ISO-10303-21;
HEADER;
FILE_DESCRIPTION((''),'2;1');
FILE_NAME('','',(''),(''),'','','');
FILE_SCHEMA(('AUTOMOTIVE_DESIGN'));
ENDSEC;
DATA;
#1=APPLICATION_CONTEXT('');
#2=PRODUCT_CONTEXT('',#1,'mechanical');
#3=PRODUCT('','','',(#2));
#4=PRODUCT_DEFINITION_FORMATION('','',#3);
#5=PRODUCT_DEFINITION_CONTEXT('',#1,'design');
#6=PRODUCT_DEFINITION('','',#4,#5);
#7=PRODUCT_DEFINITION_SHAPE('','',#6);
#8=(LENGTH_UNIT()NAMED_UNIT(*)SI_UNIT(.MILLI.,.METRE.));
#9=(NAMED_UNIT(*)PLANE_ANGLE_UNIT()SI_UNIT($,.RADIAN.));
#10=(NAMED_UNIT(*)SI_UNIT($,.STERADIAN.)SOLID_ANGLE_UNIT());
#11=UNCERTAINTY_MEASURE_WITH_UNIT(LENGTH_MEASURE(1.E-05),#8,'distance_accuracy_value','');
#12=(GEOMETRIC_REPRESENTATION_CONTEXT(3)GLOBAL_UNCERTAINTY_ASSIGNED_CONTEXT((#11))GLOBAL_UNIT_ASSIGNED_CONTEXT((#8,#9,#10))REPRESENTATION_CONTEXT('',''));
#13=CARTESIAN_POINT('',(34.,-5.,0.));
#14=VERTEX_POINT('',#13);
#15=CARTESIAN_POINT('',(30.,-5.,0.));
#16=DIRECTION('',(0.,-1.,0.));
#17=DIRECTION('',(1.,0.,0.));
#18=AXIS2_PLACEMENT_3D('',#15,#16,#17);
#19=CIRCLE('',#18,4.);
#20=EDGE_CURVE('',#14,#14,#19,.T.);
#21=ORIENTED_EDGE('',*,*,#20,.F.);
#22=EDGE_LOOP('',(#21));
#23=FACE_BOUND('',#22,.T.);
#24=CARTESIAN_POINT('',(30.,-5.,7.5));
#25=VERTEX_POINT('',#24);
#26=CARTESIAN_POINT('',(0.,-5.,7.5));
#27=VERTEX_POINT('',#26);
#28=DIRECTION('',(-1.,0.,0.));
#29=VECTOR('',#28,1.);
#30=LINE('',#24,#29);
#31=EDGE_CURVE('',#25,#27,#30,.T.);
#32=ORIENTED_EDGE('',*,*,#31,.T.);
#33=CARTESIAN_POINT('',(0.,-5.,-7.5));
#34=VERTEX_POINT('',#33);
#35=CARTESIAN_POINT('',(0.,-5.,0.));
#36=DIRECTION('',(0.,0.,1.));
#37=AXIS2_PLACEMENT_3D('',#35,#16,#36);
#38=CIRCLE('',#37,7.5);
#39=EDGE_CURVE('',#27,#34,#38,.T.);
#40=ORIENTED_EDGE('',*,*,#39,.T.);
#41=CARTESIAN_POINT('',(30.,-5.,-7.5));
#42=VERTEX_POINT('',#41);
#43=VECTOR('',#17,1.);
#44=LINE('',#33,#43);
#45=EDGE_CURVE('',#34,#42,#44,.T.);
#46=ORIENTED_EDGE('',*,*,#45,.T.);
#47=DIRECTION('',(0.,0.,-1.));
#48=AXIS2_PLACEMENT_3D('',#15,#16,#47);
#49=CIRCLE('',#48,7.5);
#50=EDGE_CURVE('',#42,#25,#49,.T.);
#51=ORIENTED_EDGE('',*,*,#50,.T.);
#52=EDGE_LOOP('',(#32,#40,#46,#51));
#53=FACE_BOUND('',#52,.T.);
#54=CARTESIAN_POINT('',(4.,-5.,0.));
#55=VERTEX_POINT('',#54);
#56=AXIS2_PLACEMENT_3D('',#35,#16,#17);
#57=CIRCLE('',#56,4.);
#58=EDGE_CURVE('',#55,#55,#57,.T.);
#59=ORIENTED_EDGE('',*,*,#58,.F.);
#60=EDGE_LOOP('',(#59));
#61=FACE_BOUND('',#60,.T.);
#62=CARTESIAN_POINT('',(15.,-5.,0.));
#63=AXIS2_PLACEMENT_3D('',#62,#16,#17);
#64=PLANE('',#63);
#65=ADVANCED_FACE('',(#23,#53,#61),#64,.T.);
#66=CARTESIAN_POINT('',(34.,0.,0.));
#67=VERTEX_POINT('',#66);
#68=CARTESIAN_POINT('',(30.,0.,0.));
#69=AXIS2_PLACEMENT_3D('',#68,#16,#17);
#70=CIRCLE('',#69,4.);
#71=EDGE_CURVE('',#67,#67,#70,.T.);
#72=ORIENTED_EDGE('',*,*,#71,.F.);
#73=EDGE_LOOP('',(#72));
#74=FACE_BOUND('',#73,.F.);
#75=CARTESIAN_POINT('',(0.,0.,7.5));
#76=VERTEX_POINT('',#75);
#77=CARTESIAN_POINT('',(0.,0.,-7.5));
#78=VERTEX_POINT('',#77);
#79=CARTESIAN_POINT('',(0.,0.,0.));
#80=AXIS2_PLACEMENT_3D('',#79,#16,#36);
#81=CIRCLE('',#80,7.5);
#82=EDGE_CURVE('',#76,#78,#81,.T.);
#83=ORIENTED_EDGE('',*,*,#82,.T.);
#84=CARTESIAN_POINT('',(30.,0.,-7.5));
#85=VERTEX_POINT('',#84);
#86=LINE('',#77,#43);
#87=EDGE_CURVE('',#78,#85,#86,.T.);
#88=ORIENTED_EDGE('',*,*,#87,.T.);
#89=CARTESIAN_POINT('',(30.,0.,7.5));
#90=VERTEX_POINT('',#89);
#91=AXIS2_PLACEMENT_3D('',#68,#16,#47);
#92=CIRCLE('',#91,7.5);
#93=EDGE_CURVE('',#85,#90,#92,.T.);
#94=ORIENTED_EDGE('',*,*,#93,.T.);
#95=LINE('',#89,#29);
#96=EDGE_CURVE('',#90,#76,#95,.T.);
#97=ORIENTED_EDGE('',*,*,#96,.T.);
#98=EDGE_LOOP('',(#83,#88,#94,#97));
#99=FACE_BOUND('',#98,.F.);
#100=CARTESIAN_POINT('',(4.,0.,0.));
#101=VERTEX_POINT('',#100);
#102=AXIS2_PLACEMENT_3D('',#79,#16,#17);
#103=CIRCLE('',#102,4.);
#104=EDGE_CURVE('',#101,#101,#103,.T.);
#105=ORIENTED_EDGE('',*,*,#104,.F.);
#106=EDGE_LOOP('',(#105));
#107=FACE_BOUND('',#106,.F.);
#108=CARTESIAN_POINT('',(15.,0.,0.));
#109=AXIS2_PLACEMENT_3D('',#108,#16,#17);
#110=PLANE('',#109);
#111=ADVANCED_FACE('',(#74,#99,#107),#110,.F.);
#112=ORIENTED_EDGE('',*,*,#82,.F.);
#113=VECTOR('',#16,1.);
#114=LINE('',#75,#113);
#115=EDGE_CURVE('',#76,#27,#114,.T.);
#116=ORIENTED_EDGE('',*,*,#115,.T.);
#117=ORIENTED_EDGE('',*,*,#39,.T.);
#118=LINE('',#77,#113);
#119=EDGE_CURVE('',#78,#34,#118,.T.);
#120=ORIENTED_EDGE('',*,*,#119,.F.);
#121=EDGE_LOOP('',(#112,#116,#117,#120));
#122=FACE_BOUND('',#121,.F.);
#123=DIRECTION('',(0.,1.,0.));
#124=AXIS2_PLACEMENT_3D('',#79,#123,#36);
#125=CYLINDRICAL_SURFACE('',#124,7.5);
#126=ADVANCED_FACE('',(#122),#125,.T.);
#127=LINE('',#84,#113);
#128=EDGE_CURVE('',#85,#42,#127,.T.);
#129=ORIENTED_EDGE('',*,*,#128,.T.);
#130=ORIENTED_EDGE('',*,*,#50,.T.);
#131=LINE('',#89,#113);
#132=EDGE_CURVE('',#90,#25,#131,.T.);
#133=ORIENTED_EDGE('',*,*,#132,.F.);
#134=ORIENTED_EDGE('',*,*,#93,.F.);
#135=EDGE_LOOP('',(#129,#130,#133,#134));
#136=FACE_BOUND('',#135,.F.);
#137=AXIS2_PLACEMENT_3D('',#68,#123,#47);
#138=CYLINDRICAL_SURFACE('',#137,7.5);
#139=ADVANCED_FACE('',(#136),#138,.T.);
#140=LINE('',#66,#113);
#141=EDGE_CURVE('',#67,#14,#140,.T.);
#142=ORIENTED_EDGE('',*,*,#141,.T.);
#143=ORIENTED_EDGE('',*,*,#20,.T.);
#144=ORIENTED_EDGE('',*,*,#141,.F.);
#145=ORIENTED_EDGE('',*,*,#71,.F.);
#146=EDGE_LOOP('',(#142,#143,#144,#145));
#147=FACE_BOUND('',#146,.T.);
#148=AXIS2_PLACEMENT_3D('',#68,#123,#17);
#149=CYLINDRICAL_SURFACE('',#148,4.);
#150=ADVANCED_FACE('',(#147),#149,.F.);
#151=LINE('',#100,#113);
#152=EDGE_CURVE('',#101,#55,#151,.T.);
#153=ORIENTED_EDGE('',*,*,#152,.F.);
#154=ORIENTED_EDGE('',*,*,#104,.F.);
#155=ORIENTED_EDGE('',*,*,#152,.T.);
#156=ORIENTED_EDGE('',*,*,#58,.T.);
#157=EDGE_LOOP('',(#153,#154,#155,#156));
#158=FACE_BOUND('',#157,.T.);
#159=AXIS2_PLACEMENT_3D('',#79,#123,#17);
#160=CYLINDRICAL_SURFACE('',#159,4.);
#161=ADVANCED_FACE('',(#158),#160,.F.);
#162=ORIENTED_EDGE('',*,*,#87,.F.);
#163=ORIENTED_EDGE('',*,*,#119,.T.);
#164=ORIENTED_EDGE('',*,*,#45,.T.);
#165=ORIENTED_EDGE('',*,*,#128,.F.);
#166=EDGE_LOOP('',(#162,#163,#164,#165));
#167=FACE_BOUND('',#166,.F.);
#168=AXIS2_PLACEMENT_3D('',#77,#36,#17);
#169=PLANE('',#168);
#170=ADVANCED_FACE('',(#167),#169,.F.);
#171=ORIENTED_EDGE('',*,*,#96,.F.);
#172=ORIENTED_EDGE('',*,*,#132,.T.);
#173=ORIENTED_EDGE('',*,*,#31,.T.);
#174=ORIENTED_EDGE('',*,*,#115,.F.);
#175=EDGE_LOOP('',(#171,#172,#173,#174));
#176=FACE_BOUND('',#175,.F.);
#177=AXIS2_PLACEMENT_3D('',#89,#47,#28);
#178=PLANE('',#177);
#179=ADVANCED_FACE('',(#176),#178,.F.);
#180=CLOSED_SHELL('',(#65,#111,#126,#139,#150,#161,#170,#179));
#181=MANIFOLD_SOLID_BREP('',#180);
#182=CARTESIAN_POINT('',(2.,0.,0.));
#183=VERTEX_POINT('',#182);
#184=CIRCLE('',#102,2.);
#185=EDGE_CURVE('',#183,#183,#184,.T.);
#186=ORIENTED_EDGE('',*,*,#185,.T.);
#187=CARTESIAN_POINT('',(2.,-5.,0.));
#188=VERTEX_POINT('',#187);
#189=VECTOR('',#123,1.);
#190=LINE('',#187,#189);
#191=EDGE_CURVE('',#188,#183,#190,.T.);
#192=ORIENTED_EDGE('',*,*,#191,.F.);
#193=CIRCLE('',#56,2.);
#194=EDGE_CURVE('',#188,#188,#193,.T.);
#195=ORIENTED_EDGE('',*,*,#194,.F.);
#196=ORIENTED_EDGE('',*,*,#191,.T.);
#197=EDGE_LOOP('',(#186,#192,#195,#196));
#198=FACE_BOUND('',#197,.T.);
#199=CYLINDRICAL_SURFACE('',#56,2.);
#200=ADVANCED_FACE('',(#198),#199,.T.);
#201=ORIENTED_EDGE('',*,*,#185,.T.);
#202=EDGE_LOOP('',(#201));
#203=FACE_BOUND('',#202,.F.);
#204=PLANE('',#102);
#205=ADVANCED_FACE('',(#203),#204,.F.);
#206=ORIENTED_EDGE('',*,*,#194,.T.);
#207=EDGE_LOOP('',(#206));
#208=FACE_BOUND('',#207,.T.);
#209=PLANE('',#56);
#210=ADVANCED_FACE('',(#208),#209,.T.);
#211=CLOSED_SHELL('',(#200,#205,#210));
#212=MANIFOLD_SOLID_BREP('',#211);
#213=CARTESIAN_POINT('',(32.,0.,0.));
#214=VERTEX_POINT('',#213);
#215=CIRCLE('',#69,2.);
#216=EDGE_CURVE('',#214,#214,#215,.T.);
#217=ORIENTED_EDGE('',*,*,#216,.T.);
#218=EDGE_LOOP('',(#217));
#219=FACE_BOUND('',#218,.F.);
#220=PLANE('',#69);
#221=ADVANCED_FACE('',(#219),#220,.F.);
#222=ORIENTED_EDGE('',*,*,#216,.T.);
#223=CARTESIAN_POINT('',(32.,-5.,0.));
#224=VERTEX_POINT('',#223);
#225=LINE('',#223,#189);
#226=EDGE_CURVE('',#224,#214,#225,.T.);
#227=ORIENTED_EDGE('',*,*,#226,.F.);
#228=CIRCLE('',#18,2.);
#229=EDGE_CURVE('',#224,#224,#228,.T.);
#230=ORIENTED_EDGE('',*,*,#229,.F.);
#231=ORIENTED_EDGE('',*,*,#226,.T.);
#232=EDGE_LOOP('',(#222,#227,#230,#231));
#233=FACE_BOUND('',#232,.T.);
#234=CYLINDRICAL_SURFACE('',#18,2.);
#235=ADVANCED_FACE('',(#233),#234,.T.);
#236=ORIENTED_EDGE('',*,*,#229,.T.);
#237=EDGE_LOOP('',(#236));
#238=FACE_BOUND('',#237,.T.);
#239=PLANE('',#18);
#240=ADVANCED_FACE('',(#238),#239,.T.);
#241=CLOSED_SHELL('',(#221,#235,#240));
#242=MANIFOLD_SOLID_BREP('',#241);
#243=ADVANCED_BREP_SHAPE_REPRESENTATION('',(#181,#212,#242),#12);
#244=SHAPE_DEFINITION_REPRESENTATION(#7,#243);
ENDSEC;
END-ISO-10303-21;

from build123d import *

# Parameters (mm, degrees)
F0_R     = 4
F1_DEPTH = 5
F2_R     = 2
F3_DEPTH = 5


with BuildPart() as f1:
    # F0 (on Front) → F1 (new body)
    with BuildSketch(Plane.XZ):
        with BuildLine():
            Line((30, 7.5), (0, 7.5))
            ThreePointArc((0, 7.5), (-7.5, 0), (0, -7.5))
            Line((0, -7.5), (30, -7.5))
            ThreePointArc((30, -7.5), (37.5, 0), (30, 7.5))
        make_face()
        Circle(F0_R, mode=Mode.SUBTRACT)
        with Locations((30, 0)):
            Circle(F0_R, mode=Mode.SUBTRACT)
    extrude(amount=F1_DEPTH)


with BuildPart() as f3:
    # F2 (on face) → F3 (new body)
    with BuildSketch(Plane.XZ.offset(5)):
        with Locations((30, 0)):
            Circle(F2_R)
        Circle(F2_R)
    extrude(amount=-F3_DEPTH)


solid = Compound([f1.part, f3.part])
